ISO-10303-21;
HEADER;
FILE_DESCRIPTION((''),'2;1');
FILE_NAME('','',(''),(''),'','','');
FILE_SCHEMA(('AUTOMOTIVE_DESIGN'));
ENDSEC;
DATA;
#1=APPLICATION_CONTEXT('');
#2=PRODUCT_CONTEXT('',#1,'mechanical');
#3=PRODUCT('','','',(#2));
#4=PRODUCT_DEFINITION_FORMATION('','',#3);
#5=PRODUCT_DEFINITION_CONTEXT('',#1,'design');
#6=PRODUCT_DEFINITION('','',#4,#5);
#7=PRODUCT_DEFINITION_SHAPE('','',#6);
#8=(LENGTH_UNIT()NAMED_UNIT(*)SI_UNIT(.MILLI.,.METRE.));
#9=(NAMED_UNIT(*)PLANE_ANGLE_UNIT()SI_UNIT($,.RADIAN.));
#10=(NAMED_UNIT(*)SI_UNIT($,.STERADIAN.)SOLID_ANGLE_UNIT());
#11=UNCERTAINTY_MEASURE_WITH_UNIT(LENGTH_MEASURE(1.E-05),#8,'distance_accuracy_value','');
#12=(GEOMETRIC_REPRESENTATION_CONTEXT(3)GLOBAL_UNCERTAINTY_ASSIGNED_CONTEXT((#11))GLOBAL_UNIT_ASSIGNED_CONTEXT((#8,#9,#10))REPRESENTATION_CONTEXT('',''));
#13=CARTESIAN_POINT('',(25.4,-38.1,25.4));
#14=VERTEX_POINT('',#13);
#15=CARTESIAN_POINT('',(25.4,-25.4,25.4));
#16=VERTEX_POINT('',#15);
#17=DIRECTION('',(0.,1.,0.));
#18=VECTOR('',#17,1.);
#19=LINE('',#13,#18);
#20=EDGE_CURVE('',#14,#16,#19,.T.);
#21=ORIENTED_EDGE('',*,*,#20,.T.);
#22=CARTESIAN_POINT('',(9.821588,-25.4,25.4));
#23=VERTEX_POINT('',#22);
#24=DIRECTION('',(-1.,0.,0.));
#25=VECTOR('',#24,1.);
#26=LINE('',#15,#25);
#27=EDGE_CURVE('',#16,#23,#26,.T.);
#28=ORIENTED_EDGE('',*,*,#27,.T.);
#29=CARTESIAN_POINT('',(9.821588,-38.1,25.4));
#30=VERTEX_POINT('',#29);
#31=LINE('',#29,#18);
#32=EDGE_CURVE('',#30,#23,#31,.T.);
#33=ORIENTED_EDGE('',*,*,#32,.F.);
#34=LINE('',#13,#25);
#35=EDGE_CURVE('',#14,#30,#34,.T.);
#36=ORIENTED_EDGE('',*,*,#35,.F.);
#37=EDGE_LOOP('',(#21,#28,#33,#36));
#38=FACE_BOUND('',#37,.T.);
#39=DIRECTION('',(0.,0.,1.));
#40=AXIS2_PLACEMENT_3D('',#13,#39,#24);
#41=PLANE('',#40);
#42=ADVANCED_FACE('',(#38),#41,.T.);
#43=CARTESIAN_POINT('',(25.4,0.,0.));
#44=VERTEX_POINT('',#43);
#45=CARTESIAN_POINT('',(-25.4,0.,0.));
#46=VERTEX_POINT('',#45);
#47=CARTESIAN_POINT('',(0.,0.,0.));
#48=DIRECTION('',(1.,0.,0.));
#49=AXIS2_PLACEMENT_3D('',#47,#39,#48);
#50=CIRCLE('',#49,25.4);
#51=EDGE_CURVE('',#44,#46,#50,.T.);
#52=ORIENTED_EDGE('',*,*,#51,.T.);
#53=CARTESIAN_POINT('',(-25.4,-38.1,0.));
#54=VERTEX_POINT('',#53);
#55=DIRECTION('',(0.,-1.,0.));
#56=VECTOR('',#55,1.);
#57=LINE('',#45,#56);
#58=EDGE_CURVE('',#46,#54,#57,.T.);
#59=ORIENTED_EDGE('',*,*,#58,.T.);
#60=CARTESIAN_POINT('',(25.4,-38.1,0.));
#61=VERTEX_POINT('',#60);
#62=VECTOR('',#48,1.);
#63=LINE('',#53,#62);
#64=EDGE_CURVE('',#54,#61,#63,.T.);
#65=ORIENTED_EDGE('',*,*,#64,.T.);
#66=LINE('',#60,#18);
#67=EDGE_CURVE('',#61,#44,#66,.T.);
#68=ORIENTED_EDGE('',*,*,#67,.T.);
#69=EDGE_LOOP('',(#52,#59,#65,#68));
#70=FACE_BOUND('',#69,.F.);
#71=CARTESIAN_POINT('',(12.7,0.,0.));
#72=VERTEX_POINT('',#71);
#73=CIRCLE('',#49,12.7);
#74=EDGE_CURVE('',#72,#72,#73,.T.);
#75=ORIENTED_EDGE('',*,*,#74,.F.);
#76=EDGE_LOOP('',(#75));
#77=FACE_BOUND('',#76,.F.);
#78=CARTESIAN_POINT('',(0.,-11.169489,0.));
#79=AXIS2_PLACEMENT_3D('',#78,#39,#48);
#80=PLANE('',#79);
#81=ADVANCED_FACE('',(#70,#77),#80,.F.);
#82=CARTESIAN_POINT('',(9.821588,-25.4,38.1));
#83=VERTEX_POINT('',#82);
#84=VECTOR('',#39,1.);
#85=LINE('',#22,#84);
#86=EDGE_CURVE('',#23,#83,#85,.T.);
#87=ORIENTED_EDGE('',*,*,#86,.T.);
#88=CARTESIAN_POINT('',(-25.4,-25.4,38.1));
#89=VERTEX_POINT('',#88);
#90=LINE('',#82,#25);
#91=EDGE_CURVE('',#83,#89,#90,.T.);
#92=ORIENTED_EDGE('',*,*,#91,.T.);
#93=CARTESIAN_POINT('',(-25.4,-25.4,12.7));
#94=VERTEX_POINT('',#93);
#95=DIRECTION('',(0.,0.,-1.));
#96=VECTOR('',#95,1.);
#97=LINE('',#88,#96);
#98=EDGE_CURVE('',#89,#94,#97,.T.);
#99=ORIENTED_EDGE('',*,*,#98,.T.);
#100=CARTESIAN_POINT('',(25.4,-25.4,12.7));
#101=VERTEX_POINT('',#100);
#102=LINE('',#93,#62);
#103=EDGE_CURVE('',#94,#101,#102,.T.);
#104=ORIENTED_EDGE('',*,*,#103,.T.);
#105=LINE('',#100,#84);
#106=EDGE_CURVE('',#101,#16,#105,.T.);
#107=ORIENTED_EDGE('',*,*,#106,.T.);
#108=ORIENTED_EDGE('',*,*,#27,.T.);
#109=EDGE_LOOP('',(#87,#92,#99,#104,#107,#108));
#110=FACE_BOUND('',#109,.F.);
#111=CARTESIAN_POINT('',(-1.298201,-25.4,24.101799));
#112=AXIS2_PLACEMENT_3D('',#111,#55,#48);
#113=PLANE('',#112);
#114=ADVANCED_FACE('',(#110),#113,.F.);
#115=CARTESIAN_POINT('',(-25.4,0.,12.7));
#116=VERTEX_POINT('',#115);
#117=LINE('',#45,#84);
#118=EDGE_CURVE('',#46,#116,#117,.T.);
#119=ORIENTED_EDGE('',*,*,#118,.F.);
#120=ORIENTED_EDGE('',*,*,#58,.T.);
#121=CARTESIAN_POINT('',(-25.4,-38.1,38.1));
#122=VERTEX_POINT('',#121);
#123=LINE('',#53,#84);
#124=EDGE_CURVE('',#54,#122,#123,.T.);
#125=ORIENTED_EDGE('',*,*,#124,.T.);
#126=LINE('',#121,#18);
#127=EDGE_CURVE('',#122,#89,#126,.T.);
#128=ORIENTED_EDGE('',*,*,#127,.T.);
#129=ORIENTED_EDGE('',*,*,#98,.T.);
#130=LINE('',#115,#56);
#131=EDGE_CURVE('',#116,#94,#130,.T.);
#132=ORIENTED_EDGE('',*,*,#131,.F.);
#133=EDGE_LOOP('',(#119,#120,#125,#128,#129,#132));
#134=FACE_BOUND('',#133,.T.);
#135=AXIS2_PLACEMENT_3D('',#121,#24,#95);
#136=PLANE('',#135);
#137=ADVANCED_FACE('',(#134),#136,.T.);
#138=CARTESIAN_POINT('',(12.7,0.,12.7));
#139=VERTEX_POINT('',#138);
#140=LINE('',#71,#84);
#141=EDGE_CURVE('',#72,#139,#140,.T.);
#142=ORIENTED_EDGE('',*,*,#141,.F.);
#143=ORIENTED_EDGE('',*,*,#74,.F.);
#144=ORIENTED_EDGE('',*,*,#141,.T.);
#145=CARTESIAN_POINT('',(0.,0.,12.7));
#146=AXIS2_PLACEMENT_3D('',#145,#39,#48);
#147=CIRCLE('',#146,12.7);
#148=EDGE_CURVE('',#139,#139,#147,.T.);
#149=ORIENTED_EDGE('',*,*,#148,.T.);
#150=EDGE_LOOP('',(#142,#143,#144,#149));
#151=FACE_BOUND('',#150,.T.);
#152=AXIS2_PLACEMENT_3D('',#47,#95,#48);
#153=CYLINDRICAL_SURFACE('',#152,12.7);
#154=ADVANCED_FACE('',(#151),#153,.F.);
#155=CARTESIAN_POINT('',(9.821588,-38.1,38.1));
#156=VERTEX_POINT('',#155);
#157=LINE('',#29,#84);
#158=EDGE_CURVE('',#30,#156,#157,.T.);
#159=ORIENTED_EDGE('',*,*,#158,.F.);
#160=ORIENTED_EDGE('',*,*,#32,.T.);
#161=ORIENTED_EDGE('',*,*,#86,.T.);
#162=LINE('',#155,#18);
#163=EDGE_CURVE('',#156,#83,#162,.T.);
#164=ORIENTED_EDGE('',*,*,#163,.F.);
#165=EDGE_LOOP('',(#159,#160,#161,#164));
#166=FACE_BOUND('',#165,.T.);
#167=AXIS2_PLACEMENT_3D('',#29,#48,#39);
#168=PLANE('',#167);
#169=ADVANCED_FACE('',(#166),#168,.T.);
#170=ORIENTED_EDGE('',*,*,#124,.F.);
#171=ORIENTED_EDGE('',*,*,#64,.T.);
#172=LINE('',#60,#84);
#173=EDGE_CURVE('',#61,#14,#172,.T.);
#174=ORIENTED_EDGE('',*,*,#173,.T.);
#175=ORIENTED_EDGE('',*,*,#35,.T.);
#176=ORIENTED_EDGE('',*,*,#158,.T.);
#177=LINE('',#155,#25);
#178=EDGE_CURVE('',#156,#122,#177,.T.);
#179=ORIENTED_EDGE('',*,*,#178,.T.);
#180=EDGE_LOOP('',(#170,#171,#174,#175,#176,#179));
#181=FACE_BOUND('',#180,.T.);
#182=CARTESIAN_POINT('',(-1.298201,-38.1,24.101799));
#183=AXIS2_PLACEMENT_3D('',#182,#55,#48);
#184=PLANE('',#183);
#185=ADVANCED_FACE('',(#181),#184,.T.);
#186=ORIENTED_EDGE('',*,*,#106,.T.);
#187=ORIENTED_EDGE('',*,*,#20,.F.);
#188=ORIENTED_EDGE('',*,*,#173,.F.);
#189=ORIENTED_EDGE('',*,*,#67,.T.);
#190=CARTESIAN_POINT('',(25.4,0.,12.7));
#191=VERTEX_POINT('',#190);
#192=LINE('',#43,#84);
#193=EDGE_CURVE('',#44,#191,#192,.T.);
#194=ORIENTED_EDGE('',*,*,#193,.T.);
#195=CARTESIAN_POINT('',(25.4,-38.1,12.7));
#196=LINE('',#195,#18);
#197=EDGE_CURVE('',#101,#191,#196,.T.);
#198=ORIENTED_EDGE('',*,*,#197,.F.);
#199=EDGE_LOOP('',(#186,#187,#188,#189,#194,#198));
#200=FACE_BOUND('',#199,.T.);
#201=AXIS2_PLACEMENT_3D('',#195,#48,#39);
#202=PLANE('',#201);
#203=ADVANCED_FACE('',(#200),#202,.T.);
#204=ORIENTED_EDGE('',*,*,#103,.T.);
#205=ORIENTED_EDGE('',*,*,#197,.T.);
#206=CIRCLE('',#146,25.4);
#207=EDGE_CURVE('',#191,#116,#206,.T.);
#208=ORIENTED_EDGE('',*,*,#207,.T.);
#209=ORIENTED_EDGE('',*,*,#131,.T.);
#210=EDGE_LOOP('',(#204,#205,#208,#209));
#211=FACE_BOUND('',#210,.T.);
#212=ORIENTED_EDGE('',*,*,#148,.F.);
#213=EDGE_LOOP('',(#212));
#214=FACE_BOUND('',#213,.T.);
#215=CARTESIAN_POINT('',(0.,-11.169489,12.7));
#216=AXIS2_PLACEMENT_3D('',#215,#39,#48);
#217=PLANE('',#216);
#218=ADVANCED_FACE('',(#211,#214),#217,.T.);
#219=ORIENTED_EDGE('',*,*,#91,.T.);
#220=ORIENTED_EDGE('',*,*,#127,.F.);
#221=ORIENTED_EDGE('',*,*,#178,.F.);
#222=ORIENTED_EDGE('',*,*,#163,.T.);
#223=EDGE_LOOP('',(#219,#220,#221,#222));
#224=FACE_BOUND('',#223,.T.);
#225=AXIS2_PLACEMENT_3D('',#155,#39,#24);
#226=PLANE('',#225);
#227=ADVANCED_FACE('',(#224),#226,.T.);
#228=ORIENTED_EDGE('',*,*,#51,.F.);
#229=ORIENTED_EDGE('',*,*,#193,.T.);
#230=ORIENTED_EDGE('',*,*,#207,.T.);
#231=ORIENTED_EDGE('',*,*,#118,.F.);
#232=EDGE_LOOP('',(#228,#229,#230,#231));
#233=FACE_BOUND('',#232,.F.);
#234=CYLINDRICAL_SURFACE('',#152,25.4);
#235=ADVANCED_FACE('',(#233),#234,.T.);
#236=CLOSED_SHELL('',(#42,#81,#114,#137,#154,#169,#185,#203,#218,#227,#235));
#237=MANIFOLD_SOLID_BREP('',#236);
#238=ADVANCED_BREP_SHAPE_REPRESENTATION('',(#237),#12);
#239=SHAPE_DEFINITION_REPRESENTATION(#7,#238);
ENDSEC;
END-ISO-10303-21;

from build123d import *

# Parameters (mm, degrees)
F0_R     = 12.7
F1_DEPTH = 12.7
F3_DEPTH = 12.7


with BuildPart() as f1:
    # F0 (on Top) → F1 (new body)
    with BuildSketch(Plane.XY):
        with BuildLine():
            Line((25.4, -38.1), (25.4, 0))
            ThreePointArc((25.4, 0), (0, 25.4), (-25.4, 0))
            Line((-25.4, 0), (-25.4, -38.1))
            Line((-25.4, -38.1), (25.4, -38.1))
        make_face()
        Circle(F0_R, mode=Mode.SUBTRACT)
    extrude(amount=F1_DEPTH)

    # F2 (on face) → F3 (join)
    with BuildSketch(Plane.XZ.offset(38.1)):
        Polygon((-25.4, 38.1), (-25.4, 12.7), (25.4, 12.7), (25.4, 25.4), (9.821588, 25.4), (9.821588, 38.1), align=None)
    extrude(amount=-F3_DEPTH)


solid = f1.part
